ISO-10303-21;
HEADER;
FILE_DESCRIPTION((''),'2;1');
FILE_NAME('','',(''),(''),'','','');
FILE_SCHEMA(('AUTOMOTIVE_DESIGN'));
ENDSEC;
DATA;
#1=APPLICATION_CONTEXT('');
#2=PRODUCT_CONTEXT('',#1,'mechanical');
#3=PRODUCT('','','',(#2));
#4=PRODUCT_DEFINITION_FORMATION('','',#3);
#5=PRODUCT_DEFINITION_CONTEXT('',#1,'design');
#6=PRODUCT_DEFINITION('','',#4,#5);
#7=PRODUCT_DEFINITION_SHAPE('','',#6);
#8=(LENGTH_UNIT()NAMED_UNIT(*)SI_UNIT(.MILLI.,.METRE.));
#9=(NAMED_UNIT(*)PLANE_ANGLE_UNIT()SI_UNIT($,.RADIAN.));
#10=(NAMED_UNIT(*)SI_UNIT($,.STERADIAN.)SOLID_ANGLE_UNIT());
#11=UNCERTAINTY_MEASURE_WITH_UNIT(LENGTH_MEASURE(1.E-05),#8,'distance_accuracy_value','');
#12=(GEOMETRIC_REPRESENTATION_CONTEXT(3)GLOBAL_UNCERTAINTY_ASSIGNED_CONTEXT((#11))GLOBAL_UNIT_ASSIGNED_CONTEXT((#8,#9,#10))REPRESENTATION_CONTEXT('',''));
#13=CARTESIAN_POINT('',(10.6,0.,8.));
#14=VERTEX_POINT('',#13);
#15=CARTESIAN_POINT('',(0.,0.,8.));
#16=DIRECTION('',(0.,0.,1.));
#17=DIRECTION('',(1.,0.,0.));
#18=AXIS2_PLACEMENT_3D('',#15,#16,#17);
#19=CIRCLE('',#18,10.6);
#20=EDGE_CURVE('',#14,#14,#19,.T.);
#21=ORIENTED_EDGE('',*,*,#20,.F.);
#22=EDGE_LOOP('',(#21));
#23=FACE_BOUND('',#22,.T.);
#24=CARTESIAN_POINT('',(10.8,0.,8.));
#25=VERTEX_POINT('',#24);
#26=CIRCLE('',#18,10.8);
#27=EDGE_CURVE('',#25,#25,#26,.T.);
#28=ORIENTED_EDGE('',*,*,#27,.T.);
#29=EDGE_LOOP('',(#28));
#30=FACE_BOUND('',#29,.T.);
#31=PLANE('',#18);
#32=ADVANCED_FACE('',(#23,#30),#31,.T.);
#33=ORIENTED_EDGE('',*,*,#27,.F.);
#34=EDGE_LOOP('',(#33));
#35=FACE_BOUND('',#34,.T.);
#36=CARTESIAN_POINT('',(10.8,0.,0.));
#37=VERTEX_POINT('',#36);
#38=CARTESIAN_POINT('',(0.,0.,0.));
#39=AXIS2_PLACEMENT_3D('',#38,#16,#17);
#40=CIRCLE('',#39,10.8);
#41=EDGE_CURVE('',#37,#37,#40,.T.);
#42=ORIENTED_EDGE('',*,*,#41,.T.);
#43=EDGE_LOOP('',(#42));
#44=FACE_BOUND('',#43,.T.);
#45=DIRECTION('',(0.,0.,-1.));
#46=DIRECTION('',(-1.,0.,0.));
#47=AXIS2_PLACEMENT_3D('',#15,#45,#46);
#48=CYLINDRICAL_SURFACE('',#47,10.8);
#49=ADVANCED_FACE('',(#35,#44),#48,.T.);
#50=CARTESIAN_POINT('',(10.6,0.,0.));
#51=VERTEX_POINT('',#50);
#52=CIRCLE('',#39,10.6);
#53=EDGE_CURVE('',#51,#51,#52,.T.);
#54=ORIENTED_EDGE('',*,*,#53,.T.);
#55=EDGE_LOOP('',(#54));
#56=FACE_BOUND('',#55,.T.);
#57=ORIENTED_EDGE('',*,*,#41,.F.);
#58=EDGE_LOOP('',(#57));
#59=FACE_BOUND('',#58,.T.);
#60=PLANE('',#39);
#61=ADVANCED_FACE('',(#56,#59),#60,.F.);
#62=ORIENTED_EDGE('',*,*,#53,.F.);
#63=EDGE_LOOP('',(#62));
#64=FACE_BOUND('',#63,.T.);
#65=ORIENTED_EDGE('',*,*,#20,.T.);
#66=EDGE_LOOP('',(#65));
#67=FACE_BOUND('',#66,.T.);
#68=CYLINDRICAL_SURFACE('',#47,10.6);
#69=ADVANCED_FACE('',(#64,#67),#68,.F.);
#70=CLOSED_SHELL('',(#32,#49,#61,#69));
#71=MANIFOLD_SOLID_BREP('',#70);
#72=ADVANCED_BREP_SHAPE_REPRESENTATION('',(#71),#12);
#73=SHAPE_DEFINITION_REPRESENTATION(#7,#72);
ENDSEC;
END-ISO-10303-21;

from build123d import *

# Parameters (mm, degrees)
SKETCH_1_R      = 10.8
SKETCH_1_R_2    = 10.6
EXTRUDE_1_DEPTH = 8


with BuildPart() as part:
    # 草图1 → 凸台-拉伸1 (new body)
    with BuildSketch(Plane.XY):
        Circle(SKETCH_1_R)
        Circle(SKETCH_1_R_2, mode=Mode.SUBTRACT)
    extrude(amount=EXTRUDE_1_DEPTH)


solid = part.part
